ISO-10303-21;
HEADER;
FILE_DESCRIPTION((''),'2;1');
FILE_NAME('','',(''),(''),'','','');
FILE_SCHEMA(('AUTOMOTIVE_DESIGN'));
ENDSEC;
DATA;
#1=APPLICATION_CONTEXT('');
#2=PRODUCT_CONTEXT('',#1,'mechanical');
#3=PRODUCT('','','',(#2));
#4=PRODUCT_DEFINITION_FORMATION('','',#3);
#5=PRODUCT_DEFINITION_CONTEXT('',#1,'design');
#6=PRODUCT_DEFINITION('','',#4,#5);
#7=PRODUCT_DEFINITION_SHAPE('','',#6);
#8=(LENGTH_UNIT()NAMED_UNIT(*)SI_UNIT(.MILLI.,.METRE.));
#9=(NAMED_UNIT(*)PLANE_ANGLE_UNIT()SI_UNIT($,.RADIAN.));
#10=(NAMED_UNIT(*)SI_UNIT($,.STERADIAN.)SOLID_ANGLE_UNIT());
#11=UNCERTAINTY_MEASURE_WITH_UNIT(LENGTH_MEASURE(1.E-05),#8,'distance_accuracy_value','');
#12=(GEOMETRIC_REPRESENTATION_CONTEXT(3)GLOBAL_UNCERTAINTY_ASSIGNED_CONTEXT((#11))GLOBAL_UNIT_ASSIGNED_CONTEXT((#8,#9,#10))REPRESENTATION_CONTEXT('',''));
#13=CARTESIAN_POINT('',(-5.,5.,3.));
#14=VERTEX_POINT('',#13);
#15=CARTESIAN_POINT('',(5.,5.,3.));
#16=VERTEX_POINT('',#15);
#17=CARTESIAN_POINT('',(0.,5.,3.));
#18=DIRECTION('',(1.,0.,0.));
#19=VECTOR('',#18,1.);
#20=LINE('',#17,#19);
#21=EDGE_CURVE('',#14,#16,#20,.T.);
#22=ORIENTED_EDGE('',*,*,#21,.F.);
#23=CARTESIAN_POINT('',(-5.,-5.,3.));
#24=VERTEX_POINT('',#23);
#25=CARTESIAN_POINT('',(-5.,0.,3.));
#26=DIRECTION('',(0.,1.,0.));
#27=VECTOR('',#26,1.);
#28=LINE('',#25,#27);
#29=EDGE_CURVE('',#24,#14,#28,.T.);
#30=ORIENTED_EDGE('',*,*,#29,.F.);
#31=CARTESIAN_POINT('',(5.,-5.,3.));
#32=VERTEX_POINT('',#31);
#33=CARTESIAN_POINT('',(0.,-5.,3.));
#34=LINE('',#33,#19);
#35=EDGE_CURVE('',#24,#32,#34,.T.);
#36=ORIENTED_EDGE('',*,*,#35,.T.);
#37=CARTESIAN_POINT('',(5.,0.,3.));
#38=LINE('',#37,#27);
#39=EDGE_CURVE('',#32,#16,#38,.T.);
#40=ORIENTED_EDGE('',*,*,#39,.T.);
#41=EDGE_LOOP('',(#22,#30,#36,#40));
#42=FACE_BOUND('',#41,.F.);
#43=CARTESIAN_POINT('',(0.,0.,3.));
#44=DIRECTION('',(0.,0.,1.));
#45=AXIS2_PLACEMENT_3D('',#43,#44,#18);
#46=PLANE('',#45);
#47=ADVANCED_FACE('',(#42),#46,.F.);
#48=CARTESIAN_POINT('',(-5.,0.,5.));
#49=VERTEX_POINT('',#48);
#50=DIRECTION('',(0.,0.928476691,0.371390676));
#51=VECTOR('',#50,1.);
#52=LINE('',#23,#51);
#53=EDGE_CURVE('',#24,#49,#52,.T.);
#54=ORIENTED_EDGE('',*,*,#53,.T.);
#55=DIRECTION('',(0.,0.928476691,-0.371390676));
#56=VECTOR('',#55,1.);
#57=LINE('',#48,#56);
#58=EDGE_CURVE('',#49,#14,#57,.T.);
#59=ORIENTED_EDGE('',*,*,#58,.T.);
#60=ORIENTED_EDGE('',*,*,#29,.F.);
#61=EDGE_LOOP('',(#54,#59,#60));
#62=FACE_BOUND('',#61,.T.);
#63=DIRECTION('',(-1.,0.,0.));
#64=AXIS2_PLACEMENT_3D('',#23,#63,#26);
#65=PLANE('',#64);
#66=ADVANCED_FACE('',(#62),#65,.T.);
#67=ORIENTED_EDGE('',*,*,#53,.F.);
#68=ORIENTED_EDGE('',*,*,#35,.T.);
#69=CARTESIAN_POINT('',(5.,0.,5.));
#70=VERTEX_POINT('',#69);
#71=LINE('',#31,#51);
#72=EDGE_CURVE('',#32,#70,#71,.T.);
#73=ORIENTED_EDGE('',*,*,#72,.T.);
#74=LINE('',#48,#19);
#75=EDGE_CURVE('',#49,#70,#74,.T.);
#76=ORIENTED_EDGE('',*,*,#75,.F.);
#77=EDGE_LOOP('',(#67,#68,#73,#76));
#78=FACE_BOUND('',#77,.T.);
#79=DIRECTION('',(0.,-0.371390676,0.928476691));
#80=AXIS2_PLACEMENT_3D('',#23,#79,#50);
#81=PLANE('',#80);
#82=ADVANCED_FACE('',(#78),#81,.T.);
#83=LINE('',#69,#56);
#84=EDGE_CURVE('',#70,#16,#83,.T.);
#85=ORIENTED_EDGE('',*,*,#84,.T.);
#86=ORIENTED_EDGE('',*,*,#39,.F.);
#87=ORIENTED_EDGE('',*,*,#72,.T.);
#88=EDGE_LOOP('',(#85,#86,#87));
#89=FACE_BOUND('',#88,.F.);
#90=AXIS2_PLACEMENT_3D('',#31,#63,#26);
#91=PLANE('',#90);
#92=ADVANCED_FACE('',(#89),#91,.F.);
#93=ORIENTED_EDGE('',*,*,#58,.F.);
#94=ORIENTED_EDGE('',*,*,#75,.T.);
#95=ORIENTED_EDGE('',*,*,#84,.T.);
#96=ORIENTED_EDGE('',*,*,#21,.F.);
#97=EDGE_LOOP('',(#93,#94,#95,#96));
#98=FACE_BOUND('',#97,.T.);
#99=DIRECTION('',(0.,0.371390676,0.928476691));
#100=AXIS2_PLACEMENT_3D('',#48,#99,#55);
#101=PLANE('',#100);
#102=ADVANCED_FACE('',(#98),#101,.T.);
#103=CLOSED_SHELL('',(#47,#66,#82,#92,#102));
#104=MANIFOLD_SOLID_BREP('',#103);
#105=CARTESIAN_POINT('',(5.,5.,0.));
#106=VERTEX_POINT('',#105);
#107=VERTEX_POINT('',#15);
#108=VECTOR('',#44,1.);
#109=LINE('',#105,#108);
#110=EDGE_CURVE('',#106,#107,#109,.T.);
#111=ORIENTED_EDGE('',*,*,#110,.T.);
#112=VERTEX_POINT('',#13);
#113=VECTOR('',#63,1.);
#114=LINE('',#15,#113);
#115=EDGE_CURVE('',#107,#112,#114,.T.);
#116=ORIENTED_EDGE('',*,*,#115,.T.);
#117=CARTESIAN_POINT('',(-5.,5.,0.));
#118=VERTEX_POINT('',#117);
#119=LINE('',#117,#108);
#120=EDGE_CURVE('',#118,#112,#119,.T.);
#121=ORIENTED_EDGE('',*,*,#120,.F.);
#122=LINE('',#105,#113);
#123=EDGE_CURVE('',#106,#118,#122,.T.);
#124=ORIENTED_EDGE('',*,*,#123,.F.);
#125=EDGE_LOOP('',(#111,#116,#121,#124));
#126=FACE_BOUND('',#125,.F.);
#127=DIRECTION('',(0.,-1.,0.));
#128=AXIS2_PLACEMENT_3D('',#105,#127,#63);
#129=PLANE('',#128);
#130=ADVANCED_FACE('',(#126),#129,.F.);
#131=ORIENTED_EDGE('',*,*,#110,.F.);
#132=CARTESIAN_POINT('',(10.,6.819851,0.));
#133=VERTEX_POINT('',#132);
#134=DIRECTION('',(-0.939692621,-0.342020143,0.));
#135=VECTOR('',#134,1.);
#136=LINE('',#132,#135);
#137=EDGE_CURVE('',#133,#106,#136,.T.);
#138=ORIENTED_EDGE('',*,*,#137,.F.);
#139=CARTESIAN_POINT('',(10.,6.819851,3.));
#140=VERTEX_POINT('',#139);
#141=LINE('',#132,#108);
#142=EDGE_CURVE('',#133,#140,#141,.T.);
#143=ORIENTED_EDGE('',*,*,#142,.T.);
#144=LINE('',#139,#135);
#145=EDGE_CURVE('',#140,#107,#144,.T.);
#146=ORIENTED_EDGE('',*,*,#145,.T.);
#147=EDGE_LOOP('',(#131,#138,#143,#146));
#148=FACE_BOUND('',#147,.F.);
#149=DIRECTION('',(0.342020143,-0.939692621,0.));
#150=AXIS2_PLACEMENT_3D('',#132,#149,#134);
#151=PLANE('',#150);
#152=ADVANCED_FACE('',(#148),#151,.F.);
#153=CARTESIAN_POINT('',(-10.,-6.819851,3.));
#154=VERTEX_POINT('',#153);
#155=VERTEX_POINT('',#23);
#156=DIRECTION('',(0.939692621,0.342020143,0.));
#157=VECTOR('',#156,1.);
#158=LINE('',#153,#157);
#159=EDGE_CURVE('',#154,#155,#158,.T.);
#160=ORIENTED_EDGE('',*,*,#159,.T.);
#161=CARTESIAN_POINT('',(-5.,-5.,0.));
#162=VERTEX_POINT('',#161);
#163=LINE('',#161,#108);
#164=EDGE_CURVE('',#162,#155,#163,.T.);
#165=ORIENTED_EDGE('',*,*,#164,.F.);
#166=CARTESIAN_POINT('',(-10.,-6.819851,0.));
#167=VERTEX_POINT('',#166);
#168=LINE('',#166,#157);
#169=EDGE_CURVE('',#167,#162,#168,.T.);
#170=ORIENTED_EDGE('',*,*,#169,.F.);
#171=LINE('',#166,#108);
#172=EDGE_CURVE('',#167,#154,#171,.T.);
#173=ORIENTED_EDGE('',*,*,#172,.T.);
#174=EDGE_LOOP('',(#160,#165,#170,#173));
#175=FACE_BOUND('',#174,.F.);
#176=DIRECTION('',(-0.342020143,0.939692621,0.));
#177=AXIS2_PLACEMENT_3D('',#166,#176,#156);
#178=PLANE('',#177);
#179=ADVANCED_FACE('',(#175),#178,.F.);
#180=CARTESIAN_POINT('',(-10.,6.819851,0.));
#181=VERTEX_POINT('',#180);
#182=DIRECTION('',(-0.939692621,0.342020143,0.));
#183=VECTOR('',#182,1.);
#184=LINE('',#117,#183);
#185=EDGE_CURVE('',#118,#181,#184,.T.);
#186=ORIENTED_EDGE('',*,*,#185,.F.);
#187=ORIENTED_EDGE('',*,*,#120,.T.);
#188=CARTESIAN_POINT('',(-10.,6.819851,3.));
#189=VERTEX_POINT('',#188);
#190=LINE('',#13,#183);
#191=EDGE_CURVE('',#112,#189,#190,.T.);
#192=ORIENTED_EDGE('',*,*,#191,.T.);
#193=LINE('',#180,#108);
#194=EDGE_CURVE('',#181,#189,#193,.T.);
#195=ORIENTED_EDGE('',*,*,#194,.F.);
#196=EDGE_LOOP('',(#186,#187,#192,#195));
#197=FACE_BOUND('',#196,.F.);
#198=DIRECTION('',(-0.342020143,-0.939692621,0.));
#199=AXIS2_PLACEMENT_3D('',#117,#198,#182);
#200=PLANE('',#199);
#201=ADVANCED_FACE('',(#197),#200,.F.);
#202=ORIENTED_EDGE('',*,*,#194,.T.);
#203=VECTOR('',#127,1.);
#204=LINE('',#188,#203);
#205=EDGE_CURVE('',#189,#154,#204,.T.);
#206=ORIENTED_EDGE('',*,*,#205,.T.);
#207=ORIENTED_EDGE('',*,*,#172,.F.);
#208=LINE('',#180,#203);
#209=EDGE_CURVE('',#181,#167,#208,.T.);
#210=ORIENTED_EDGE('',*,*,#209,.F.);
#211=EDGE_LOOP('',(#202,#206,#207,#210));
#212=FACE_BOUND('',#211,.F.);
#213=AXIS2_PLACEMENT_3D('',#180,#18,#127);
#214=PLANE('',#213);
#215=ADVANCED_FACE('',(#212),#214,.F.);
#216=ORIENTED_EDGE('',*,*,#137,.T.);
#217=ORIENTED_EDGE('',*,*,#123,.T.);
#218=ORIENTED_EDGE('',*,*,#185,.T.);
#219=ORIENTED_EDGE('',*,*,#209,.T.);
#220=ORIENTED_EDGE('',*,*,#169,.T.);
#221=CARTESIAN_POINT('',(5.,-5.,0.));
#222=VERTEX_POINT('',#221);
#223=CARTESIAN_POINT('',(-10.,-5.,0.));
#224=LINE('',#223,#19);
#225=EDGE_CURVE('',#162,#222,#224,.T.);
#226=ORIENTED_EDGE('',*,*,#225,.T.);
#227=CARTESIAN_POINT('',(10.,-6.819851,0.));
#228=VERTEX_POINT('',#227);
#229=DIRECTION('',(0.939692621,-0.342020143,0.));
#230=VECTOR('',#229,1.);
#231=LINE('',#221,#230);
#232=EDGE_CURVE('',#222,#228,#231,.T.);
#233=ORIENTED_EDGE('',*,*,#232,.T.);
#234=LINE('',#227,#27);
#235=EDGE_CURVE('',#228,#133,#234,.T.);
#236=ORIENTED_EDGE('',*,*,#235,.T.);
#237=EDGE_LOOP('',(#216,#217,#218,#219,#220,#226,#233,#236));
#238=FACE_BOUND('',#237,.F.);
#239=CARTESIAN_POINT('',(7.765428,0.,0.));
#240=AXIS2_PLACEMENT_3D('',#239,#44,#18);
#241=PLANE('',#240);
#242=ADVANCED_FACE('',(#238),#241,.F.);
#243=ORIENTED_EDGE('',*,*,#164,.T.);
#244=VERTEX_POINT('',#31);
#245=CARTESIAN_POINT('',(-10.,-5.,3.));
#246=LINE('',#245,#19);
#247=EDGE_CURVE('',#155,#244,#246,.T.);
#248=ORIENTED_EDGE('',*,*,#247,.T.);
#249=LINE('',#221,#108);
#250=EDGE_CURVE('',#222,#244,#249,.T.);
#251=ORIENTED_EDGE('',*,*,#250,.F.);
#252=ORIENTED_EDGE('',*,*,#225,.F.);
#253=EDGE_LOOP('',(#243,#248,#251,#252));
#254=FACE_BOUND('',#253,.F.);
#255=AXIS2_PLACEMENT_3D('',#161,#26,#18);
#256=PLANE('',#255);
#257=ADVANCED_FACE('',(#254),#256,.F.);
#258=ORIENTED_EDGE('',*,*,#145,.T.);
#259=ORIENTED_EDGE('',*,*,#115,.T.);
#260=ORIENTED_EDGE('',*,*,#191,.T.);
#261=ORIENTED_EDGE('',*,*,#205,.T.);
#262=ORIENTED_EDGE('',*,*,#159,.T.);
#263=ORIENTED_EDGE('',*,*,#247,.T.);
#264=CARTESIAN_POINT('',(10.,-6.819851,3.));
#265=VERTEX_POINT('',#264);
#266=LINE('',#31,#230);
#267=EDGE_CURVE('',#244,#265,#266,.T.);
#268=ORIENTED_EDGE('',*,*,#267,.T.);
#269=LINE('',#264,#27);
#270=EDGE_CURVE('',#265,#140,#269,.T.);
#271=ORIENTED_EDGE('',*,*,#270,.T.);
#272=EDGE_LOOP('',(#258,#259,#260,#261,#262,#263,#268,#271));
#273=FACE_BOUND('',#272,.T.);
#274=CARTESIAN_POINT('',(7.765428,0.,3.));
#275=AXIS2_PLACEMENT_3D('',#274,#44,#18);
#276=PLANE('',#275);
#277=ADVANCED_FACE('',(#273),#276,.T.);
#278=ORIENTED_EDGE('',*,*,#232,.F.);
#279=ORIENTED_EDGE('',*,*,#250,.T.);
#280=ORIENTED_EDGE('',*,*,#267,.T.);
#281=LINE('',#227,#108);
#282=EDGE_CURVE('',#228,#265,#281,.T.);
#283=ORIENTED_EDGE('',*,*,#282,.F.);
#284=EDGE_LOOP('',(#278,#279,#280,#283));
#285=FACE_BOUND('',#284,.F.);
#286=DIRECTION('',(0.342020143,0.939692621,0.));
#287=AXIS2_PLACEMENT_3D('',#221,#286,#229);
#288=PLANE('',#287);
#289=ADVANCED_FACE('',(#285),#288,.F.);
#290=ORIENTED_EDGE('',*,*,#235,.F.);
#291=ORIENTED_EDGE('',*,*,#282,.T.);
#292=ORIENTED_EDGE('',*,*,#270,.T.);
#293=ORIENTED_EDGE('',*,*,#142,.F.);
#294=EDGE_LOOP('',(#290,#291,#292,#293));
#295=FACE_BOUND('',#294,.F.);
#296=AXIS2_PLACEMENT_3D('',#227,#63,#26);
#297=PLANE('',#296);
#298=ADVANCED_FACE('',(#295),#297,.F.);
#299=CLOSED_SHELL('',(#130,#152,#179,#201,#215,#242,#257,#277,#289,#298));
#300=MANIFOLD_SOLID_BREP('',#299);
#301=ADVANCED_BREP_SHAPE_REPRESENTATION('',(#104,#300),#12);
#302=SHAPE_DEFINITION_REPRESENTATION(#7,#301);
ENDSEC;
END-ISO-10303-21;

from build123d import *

# Parameters (mm, degrees)
F3_W     = 10
F3_H     = 10
F3_W_2   = 5
F4_DEPTH = 3
F5_START = 3
F5_DEPTH = 2
F7_DEPTH = 10


with BuildPart() as f4:
    # F3 (on Top) → F4 (new body)
    with BuildSketch(Plane.XY):
        Polygon((10, 6.8198511713), (5, 5), (5, -5), (10, -6.8198511713), (10, -5), (10, 5), align=None)
        Rectangle(F3_W, F3_H)
        with Locations((-7.5, 0)):
            Rectangle(F3_W_2, F3_H)
        Polygon((-10, -6.8198511713), (-5, -5), (-10, -5), align=None)
        Polygon((-10, 5), (-5, 5), (-10, 6.8198511713), align=None)
    extrude(amount=F4_DEPTH)


with BuildPart() as f5:
    # F3 (on Top) → F5 (new body)
    with BuildSketch(Plane.XY.offset(F5_START)):
        Rectangle(F3_W, F3_H)
    extrude(amount=F5_DEPTH)

    # F6 (on face) → F7 (intersect)
    with BuildSketch(Plane(origin=(-5, 0, 0), x_dir=(0, -1, 0), z_dir=(-1, 0, 0))):
        Polygon((5, 3), (0, 5), (-5, 3), align=None)
    extrude(amount=-F7_DEPTH, mode=Mode.INTERSECT)


solid = Compound([f4.part, f5.part])
